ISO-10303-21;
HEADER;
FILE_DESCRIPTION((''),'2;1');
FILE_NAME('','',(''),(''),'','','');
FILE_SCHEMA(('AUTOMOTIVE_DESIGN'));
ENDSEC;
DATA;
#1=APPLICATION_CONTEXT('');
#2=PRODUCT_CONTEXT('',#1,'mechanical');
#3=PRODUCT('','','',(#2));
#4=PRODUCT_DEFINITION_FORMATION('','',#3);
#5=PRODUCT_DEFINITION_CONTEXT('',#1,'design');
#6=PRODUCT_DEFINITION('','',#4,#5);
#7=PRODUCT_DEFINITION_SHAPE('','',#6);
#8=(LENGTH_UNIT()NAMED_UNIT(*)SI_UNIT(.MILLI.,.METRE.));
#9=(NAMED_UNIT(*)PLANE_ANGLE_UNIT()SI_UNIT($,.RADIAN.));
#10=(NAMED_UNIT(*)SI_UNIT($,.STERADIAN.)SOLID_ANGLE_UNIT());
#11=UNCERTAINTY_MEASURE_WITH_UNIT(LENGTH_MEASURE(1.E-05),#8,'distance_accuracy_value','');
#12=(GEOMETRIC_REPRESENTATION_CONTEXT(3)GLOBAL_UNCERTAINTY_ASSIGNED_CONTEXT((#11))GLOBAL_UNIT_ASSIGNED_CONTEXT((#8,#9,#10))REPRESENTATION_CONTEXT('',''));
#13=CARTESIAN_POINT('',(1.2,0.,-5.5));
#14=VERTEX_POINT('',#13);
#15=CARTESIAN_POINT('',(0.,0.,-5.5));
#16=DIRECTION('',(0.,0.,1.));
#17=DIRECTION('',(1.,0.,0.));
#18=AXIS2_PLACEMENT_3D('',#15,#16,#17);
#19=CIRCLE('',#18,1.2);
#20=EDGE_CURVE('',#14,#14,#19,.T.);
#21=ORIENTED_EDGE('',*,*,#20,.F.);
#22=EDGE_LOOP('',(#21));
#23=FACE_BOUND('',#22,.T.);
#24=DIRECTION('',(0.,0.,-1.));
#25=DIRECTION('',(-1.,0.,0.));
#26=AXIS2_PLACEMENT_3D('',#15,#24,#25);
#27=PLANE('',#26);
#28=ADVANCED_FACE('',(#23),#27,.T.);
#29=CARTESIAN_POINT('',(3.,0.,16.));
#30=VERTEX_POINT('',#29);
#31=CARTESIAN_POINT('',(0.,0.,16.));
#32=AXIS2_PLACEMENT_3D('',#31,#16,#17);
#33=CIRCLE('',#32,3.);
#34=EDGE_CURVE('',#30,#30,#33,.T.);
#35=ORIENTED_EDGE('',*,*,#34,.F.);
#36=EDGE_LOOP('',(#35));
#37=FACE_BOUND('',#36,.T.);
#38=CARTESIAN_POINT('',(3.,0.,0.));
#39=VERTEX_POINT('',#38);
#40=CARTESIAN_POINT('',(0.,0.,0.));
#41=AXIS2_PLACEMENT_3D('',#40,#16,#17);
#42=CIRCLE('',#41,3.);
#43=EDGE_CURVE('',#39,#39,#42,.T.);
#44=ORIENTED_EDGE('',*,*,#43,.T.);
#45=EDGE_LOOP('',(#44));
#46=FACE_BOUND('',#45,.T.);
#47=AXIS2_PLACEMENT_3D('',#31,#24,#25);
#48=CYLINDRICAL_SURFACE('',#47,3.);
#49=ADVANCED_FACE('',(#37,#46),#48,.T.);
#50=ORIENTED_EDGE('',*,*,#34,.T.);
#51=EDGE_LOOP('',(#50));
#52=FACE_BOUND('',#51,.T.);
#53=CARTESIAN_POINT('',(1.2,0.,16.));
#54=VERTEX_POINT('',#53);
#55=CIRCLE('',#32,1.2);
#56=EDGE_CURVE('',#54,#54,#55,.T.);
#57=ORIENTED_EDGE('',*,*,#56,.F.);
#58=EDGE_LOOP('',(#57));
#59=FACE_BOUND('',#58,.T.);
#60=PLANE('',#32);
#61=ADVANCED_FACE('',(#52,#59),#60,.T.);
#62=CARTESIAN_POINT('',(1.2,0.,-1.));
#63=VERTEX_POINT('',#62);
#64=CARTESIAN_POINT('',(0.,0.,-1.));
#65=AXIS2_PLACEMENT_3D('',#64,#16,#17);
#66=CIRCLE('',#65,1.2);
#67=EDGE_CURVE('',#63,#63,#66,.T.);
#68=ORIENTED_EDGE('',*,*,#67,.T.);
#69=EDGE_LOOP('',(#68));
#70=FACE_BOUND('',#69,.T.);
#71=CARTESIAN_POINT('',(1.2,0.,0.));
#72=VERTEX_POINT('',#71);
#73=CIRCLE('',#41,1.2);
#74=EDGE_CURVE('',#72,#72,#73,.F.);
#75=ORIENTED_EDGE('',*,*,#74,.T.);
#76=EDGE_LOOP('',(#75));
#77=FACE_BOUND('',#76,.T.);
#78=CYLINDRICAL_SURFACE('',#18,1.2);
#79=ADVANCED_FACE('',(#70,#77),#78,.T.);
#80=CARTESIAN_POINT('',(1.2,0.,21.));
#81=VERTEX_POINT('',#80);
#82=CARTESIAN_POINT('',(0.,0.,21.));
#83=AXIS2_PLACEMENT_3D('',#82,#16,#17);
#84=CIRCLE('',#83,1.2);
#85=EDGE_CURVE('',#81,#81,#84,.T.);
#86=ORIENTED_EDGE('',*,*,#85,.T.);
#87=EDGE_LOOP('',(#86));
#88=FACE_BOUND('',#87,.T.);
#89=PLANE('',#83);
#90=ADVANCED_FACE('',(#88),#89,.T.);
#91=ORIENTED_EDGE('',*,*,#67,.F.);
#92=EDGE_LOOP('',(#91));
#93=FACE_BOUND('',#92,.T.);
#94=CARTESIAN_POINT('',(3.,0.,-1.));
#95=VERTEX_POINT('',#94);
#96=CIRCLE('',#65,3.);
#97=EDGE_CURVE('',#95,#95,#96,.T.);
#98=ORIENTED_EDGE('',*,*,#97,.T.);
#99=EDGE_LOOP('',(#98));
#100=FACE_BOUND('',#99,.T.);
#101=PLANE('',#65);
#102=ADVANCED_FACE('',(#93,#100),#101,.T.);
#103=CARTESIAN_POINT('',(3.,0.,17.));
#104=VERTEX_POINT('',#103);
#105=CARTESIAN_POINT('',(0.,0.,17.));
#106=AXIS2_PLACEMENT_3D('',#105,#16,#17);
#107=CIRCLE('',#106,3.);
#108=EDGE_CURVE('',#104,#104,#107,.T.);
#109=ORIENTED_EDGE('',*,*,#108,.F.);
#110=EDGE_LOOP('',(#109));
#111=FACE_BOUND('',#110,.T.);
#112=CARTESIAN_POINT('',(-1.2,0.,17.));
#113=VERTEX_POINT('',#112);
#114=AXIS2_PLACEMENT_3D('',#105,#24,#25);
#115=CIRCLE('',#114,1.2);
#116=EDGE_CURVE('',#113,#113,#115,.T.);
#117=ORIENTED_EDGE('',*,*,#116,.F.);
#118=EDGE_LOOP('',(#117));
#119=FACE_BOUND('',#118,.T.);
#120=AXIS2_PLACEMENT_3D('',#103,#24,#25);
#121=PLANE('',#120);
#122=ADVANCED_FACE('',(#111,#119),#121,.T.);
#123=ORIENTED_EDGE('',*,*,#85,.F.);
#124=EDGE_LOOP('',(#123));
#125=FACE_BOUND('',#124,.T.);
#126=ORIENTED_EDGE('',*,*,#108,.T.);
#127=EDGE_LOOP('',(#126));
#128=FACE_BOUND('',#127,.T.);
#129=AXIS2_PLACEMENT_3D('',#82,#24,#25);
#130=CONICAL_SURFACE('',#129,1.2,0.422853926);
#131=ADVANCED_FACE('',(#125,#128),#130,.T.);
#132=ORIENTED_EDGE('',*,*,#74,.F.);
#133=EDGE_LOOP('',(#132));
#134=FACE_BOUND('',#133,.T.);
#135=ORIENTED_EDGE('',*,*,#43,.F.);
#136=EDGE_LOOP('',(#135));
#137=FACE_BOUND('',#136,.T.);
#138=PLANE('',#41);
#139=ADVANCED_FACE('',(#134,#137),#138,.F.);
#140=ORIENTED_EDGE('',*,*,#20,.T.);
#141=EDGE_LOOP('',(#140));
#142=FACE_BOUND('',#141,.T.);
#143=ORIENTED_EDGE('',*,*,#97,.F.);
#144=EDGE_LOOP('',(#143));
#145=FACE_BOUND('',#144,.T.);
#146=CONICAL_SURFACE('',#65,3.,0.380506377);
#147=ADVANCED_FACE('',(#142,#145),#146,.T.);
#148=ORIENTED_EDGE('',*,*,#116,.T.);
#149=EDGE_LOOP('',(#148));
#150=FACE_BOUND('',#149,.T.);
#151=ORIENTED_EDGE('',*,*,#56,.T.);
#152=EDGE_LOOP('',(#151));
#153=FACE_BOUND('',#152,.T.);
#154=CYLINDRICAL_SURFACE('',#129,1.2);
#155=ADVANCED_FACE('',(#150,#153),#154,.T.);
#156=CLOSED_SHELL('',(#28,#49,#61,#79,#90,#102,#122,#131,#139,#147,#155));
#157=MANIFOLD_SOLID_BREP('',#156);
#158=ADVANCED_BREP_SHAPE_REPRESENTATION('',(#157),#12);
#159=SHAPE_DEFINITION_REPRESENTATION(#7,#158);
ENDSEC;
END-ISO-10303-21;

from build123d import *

# Parameters (mm, degrees)
ESQUISSE1_R      = 3
EXTRUSION1_DEPTH = 16
ESQUISSE2_R      = 1.2
EXTRUSION2_DEPTH = 5
EXTRUSION3_START = 5.5
ESQUISSE3_R      = 1.2
EXTRUSION3_DEPTH = 5.5


with BuildPart() as part:
    # Esquisse1 → Extrusion1 (new body)
    with BuildSketch(Plane.XY):
        Circle(ESQUISSE1_R)
    extrude(amount=EXTRUSION1_DEPTH)

    # Esquisse2 → Extrusion2 (add)
    with BuildSketch(Plane.XY.offset(16)):
        Circle(ESQUISSE2_R)
    extrude(amount=EXTRUSION2_DEPTH)

    # Esquisse3 → Extrusion3 (add)
    with BuildSketch(Plane(origin=(0, 0, 0), x_dir=(-1, 0, 0), z_dir=(0, 0, -1)).offset(EXTRUSION3_START)):
        with Locations(Location((0, 0, 0), (0, 0, 180))):
            Circle(ESQUISSE3_R)
    extrude(amount=-EXTRUSION3_DEPTH)

    # Esquisse4 → Révolution1 (revolve)
    with BuildSketch(Plane(origin=(0, 0, 0), x_dir=(1, 0, 0), z_dir=(0, 1, 0))):
        Polygon((1.2, 5.5), (3, 1), (0, 1), (0, 5.5), align=None)
        Polygon((0, -21), (1.2, -21), (3, -17), (0, -17), align=None)
    revolve(axis=Axis((0, 0, 16), (0, 0, -1)))


solid = part.part
